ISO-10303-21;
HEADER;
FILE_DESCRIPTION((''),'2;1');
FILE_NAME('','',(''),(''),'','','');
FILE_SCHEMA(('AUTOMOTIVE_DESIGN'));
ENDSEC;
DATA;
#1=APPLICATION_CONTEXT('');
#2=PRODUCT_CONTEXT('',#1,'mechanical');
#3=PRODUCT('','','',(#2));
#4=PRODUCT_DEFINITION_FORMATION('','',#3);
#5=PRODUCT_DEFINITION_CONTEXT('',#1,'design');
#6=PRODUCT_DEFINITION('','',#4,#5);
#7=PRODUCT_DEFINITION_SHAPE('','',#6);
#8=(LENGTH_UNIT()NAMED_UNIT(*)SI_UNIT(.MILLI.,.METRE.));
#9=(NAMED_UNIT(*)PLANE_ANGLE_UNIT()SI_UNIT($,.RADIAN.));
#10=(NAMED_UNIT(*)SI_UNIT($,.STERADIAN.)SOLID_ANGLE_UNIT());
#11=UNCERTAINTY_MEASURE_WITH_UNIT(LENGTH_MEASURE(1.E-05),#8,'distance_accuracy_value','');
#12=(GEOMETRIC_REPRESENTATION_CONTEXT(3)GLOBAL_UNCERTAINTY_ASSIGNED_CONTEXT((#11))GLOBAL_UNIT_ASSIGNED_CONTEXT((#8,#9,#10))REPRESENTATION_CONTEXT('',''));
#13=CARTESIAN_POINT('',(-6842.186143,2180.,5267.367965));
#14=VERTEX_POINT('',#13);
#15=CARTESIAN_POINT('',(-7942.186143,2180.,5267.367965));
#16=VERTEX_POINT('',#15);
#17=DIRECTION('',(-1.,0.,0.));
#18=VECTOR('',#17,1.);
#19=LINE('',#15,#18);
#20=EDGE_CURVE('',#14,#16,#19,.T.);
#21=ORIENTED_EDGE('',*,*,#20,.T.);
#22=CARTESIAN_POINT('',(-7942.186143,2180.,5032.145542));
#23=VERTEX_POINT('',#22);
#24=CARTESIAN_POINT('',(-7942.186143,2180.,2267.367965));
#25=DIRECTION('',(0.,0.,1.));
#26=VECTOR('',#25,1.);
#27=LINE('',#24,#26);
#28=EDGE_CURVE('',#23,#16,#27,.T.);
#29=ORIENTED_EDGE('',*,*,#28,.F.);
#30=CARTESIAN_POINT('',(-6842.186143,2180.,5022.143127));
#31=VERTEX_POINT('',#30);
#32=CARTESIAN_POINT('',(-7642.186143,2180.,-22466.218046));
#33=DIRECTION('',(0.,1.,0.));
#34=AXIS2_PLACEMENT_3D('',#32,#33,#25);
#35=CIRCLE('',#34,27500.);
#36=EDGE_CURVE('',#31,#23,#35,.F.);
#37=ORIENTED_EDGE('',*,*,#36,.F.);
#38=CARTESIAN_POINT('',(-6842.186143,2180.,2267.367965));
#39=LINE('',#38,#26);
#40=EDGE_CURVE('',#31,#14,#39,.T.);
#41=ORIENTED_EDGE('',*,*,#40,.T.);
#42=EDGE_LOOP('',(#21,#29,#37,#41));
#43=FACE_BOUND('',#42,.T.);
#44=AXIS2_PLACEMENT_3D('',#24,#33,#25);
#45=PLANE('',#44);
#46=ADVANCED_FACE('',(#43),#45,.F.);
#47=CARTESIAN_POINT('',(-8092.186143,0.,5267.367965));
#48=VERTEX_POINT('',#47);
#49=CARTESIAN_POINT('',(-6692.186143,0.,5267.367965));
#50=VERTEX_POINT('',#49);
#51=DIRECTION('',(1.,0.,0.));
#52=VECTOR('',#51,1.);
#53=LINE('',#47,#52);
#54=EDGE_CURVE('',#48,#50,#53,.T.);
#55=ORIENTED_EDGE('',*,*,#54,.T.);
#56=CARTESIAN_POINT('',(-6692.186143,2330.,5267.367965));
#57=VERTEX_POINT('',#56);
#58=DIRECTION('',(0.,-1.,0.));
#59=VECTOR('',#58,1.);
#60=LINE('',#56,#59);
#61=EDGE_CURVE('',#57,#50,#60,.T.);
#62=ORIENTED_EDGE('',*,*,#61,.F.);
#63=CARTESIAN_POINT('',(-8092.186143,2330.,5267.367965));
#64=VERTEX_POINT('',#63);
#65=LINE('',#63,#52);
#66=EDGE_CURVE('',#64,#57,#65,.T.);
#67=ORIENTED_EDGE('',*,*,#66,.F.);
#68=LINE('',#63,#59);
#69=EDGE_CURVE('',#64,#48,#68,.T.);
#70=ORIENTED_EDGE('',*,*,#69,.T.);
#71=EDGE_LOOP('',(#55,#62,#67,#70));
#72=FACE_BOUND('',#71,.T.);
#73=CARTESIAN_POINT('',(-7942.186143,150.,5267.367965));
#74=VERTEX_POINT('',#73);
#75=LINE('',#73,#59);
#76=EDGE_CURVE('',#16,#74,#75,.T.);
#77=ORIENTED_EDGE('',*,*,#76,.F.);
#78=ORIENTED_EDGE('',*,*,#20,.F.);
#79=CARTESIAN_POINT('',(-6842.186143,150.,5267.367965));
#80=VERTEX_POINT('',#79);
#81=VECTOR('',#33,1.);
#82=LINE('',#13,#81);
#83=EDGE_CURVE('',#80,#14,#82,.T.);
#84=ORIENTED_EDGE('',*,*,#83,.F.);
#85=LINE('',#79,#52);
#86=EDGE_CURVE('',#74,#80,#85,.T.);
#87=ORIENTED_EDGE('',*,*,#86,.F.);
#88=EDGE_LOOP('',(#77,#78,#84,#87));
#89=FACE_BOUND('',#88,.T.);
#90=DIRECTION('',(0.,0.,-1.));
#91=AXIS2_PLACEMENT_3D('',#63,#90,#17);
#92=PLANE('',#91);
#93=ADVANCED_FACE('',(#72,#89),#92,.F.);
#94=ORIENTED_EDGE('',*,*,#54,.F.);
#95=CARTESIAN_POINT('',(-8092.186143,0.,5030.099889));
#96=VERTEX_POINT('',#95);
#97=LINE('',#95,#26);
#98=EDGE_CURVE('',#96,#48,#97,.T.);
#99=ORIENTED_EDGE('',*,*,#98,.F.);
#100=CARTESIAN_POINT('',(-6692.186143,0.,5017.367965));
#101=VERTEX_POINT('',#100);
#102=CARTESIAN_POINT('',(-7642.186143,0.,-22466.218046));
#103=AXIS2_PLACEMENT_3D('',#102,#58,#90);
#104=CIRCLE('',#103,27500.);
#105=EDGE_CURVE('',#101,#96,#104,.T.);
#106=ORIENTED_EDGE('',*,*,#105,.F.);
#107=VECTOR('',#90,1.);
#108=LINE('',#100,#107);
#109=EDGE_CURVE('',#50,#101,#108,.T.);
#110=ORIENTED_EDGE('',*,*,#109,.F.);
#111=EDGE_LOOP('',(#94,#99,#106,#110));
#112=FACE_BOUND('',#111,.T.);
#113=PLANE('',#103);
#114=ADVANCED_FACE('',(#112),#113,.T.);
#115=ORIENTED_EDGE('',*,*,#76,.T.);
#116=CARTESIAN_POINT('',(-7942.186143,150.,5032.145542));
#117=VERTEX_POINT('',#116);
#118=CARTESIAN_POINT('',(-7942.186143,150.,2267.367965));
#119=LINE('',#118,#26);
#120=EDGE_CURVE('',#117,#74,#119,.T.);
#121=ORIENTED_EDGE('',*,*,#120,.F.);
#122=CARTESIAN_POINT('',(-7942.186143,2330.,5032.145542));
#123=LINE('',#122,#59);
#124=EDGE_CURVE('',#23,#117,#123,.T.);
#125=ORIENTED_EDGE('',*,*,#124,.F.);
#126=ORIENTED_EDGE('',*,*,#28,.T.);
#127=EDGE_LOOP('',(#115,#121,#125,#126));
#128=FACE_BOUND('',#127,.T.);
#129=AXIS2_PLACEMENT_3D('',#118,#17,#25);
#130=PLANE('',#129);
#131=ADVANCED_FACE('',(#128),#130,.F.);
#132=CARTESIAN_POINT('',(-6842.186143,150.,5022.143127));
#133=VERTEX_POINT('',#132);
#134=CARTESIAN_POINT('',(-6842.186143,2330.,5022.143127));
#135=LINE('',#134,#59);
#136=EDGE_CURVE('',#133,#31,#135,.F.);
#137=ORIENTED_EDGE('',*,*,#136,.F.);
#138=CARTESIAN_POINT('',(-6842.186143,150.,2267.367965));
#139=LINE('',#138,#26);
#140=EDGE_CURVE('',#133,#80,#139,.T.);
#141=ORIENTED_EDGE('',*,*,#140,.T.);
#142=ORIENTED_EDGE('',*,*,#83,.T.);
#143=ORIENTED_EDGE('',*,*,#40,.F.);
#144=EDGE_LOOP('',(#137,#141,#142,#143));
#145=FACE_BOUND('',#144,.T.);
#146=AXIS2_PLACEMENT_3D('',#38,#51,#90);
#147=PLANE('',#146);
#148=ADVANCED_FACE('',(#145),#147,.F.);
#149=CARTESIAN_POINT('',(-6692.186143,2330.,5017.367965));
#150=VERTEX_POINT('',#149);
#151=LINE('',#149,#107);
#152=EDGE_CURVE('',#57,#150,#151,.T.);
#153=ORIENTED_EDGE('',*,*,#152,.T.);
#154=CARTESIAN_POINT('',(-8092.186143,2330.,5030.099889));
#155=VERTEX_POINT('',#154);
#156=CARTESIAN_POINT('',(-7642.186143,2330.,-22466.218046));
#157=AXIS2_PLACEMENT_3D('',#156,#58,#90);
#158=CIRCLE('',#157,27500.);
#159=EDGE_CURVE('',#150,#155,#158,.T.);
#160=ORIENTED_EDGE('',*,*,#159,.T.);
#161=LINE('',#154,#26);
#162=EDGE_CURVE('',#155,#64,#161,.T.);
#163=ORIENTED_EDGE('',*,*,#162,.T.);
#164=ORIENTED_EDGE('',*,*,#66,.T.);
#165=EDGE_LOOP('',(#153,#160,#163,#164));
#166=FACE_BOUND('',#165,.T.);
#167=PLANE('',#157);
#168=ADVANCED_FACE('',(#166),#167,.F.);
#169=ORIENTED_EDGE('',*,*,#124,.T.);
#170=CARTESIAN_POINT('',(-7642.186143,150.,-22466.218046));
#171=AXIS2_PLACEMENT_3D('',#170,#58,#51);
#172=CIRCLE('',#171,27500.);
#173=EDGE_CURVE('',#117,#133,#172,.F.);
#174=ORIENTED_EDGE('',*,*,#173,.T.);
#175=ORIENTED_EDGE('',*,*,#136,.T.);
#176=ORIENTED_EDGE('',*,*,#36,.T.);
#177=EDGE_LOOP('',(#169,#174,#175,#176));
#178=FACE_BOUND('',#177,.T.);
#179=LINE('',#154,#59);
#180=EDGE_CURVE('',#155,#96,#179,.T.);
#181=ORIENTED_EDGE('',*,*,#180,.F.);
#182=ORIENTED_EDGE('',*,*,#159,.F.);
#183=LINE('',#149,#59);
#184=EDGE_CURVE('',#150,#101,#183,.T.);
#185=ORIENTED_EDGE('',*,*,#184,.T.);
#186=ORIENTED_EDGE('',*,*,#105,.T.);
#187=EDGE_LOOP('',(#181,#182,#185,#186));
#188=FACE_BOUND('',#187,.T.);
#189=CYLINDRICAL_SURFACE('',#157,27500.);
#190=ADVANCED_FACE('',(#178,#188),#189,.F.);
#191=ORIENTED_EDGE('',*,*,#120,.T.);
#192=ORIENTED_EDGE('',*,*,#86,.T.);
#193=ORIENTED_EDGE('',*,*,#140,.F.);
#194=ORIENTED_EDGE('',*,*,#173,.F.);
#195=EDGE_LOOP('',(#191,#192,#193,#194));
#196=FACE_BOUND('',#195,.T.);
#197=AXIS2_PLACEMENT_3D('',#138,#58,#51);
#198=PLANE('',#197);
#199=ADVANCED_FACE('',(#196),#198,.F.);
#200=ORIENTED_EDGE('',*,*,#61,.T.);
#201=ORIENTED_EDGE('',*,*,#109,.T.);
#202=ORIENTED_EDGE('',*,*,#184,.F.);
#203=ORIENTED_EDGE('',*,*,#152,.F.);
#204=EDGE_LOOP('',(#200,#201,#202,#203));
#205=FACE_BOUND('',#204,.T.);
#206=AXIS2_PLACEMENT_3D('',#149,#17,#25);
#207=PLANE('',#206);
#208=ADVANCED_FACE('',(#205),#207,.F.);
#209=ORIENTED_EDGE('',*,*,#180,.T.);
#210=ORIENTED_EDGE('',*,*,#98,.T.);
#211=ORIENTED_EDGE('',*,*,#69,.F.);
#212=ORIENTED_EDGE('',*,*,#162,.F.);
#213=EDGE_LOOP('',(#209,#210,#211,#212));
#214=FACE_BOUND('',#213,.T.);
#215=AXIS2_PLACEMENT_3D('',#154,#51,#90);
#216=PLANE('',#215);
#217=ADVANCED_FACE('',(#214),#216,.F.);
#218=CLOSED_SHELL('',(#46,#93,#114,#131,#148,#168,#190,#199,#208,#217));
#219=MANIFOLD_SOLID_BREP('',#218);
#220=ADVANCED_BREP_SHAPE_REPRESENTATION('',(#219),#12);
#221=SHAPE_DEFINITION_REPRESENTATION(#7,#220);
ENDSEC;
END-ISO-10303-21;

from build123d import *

# Parameters (mm, degrees)
BOSS_EXTRUDE1_DEPTH = 2330
SKETCH3_W           = 1100
SKETCH3_H           = 2030
CUT_EXTRUDE1_DEPTH  = 3000


with BuildPart() as part:
    # Sketch2 → Boss-Extrude1 (new body)
    with BuildSketch(Plane(origin=(0, 0, 0), x_dir=(1, 0, 0), z_dir=(0, 1, 0))):
        with BuildLine():
            Line((-6692.186143144, -5017.367964626), (-6692.186143144, -5267.367964626))
            Line((-6692.186143144, -5267.367964626), (-8092.186143144, -5267.367964626))
            Line((-8092.186143144, -5267.367964626), (-8092.186143144, -5030.09988938))
            ThreePointArc((-8092.186143144, -5030.09988938), (-7392.105105324, -5032.64483009), (-6692.186143144, -5017.367964626))
        make_face()
    extrude(amount=BOSS_EXTRUDE1_DEPTH)

    # Sketch3 → Cut-Extrude1 (cut)
    with BuildSketch(Plane.XY.offset(5267.367964626)):
        with Locations((-7392.186143144, 1165)):
            Rectangle(SKETCH3_W, SKETCH3_H)
    extrude(amount=-CUT_EXTRUDE1_DEPTH, mode=Mode.SUBTRACT)


solid = part.part
